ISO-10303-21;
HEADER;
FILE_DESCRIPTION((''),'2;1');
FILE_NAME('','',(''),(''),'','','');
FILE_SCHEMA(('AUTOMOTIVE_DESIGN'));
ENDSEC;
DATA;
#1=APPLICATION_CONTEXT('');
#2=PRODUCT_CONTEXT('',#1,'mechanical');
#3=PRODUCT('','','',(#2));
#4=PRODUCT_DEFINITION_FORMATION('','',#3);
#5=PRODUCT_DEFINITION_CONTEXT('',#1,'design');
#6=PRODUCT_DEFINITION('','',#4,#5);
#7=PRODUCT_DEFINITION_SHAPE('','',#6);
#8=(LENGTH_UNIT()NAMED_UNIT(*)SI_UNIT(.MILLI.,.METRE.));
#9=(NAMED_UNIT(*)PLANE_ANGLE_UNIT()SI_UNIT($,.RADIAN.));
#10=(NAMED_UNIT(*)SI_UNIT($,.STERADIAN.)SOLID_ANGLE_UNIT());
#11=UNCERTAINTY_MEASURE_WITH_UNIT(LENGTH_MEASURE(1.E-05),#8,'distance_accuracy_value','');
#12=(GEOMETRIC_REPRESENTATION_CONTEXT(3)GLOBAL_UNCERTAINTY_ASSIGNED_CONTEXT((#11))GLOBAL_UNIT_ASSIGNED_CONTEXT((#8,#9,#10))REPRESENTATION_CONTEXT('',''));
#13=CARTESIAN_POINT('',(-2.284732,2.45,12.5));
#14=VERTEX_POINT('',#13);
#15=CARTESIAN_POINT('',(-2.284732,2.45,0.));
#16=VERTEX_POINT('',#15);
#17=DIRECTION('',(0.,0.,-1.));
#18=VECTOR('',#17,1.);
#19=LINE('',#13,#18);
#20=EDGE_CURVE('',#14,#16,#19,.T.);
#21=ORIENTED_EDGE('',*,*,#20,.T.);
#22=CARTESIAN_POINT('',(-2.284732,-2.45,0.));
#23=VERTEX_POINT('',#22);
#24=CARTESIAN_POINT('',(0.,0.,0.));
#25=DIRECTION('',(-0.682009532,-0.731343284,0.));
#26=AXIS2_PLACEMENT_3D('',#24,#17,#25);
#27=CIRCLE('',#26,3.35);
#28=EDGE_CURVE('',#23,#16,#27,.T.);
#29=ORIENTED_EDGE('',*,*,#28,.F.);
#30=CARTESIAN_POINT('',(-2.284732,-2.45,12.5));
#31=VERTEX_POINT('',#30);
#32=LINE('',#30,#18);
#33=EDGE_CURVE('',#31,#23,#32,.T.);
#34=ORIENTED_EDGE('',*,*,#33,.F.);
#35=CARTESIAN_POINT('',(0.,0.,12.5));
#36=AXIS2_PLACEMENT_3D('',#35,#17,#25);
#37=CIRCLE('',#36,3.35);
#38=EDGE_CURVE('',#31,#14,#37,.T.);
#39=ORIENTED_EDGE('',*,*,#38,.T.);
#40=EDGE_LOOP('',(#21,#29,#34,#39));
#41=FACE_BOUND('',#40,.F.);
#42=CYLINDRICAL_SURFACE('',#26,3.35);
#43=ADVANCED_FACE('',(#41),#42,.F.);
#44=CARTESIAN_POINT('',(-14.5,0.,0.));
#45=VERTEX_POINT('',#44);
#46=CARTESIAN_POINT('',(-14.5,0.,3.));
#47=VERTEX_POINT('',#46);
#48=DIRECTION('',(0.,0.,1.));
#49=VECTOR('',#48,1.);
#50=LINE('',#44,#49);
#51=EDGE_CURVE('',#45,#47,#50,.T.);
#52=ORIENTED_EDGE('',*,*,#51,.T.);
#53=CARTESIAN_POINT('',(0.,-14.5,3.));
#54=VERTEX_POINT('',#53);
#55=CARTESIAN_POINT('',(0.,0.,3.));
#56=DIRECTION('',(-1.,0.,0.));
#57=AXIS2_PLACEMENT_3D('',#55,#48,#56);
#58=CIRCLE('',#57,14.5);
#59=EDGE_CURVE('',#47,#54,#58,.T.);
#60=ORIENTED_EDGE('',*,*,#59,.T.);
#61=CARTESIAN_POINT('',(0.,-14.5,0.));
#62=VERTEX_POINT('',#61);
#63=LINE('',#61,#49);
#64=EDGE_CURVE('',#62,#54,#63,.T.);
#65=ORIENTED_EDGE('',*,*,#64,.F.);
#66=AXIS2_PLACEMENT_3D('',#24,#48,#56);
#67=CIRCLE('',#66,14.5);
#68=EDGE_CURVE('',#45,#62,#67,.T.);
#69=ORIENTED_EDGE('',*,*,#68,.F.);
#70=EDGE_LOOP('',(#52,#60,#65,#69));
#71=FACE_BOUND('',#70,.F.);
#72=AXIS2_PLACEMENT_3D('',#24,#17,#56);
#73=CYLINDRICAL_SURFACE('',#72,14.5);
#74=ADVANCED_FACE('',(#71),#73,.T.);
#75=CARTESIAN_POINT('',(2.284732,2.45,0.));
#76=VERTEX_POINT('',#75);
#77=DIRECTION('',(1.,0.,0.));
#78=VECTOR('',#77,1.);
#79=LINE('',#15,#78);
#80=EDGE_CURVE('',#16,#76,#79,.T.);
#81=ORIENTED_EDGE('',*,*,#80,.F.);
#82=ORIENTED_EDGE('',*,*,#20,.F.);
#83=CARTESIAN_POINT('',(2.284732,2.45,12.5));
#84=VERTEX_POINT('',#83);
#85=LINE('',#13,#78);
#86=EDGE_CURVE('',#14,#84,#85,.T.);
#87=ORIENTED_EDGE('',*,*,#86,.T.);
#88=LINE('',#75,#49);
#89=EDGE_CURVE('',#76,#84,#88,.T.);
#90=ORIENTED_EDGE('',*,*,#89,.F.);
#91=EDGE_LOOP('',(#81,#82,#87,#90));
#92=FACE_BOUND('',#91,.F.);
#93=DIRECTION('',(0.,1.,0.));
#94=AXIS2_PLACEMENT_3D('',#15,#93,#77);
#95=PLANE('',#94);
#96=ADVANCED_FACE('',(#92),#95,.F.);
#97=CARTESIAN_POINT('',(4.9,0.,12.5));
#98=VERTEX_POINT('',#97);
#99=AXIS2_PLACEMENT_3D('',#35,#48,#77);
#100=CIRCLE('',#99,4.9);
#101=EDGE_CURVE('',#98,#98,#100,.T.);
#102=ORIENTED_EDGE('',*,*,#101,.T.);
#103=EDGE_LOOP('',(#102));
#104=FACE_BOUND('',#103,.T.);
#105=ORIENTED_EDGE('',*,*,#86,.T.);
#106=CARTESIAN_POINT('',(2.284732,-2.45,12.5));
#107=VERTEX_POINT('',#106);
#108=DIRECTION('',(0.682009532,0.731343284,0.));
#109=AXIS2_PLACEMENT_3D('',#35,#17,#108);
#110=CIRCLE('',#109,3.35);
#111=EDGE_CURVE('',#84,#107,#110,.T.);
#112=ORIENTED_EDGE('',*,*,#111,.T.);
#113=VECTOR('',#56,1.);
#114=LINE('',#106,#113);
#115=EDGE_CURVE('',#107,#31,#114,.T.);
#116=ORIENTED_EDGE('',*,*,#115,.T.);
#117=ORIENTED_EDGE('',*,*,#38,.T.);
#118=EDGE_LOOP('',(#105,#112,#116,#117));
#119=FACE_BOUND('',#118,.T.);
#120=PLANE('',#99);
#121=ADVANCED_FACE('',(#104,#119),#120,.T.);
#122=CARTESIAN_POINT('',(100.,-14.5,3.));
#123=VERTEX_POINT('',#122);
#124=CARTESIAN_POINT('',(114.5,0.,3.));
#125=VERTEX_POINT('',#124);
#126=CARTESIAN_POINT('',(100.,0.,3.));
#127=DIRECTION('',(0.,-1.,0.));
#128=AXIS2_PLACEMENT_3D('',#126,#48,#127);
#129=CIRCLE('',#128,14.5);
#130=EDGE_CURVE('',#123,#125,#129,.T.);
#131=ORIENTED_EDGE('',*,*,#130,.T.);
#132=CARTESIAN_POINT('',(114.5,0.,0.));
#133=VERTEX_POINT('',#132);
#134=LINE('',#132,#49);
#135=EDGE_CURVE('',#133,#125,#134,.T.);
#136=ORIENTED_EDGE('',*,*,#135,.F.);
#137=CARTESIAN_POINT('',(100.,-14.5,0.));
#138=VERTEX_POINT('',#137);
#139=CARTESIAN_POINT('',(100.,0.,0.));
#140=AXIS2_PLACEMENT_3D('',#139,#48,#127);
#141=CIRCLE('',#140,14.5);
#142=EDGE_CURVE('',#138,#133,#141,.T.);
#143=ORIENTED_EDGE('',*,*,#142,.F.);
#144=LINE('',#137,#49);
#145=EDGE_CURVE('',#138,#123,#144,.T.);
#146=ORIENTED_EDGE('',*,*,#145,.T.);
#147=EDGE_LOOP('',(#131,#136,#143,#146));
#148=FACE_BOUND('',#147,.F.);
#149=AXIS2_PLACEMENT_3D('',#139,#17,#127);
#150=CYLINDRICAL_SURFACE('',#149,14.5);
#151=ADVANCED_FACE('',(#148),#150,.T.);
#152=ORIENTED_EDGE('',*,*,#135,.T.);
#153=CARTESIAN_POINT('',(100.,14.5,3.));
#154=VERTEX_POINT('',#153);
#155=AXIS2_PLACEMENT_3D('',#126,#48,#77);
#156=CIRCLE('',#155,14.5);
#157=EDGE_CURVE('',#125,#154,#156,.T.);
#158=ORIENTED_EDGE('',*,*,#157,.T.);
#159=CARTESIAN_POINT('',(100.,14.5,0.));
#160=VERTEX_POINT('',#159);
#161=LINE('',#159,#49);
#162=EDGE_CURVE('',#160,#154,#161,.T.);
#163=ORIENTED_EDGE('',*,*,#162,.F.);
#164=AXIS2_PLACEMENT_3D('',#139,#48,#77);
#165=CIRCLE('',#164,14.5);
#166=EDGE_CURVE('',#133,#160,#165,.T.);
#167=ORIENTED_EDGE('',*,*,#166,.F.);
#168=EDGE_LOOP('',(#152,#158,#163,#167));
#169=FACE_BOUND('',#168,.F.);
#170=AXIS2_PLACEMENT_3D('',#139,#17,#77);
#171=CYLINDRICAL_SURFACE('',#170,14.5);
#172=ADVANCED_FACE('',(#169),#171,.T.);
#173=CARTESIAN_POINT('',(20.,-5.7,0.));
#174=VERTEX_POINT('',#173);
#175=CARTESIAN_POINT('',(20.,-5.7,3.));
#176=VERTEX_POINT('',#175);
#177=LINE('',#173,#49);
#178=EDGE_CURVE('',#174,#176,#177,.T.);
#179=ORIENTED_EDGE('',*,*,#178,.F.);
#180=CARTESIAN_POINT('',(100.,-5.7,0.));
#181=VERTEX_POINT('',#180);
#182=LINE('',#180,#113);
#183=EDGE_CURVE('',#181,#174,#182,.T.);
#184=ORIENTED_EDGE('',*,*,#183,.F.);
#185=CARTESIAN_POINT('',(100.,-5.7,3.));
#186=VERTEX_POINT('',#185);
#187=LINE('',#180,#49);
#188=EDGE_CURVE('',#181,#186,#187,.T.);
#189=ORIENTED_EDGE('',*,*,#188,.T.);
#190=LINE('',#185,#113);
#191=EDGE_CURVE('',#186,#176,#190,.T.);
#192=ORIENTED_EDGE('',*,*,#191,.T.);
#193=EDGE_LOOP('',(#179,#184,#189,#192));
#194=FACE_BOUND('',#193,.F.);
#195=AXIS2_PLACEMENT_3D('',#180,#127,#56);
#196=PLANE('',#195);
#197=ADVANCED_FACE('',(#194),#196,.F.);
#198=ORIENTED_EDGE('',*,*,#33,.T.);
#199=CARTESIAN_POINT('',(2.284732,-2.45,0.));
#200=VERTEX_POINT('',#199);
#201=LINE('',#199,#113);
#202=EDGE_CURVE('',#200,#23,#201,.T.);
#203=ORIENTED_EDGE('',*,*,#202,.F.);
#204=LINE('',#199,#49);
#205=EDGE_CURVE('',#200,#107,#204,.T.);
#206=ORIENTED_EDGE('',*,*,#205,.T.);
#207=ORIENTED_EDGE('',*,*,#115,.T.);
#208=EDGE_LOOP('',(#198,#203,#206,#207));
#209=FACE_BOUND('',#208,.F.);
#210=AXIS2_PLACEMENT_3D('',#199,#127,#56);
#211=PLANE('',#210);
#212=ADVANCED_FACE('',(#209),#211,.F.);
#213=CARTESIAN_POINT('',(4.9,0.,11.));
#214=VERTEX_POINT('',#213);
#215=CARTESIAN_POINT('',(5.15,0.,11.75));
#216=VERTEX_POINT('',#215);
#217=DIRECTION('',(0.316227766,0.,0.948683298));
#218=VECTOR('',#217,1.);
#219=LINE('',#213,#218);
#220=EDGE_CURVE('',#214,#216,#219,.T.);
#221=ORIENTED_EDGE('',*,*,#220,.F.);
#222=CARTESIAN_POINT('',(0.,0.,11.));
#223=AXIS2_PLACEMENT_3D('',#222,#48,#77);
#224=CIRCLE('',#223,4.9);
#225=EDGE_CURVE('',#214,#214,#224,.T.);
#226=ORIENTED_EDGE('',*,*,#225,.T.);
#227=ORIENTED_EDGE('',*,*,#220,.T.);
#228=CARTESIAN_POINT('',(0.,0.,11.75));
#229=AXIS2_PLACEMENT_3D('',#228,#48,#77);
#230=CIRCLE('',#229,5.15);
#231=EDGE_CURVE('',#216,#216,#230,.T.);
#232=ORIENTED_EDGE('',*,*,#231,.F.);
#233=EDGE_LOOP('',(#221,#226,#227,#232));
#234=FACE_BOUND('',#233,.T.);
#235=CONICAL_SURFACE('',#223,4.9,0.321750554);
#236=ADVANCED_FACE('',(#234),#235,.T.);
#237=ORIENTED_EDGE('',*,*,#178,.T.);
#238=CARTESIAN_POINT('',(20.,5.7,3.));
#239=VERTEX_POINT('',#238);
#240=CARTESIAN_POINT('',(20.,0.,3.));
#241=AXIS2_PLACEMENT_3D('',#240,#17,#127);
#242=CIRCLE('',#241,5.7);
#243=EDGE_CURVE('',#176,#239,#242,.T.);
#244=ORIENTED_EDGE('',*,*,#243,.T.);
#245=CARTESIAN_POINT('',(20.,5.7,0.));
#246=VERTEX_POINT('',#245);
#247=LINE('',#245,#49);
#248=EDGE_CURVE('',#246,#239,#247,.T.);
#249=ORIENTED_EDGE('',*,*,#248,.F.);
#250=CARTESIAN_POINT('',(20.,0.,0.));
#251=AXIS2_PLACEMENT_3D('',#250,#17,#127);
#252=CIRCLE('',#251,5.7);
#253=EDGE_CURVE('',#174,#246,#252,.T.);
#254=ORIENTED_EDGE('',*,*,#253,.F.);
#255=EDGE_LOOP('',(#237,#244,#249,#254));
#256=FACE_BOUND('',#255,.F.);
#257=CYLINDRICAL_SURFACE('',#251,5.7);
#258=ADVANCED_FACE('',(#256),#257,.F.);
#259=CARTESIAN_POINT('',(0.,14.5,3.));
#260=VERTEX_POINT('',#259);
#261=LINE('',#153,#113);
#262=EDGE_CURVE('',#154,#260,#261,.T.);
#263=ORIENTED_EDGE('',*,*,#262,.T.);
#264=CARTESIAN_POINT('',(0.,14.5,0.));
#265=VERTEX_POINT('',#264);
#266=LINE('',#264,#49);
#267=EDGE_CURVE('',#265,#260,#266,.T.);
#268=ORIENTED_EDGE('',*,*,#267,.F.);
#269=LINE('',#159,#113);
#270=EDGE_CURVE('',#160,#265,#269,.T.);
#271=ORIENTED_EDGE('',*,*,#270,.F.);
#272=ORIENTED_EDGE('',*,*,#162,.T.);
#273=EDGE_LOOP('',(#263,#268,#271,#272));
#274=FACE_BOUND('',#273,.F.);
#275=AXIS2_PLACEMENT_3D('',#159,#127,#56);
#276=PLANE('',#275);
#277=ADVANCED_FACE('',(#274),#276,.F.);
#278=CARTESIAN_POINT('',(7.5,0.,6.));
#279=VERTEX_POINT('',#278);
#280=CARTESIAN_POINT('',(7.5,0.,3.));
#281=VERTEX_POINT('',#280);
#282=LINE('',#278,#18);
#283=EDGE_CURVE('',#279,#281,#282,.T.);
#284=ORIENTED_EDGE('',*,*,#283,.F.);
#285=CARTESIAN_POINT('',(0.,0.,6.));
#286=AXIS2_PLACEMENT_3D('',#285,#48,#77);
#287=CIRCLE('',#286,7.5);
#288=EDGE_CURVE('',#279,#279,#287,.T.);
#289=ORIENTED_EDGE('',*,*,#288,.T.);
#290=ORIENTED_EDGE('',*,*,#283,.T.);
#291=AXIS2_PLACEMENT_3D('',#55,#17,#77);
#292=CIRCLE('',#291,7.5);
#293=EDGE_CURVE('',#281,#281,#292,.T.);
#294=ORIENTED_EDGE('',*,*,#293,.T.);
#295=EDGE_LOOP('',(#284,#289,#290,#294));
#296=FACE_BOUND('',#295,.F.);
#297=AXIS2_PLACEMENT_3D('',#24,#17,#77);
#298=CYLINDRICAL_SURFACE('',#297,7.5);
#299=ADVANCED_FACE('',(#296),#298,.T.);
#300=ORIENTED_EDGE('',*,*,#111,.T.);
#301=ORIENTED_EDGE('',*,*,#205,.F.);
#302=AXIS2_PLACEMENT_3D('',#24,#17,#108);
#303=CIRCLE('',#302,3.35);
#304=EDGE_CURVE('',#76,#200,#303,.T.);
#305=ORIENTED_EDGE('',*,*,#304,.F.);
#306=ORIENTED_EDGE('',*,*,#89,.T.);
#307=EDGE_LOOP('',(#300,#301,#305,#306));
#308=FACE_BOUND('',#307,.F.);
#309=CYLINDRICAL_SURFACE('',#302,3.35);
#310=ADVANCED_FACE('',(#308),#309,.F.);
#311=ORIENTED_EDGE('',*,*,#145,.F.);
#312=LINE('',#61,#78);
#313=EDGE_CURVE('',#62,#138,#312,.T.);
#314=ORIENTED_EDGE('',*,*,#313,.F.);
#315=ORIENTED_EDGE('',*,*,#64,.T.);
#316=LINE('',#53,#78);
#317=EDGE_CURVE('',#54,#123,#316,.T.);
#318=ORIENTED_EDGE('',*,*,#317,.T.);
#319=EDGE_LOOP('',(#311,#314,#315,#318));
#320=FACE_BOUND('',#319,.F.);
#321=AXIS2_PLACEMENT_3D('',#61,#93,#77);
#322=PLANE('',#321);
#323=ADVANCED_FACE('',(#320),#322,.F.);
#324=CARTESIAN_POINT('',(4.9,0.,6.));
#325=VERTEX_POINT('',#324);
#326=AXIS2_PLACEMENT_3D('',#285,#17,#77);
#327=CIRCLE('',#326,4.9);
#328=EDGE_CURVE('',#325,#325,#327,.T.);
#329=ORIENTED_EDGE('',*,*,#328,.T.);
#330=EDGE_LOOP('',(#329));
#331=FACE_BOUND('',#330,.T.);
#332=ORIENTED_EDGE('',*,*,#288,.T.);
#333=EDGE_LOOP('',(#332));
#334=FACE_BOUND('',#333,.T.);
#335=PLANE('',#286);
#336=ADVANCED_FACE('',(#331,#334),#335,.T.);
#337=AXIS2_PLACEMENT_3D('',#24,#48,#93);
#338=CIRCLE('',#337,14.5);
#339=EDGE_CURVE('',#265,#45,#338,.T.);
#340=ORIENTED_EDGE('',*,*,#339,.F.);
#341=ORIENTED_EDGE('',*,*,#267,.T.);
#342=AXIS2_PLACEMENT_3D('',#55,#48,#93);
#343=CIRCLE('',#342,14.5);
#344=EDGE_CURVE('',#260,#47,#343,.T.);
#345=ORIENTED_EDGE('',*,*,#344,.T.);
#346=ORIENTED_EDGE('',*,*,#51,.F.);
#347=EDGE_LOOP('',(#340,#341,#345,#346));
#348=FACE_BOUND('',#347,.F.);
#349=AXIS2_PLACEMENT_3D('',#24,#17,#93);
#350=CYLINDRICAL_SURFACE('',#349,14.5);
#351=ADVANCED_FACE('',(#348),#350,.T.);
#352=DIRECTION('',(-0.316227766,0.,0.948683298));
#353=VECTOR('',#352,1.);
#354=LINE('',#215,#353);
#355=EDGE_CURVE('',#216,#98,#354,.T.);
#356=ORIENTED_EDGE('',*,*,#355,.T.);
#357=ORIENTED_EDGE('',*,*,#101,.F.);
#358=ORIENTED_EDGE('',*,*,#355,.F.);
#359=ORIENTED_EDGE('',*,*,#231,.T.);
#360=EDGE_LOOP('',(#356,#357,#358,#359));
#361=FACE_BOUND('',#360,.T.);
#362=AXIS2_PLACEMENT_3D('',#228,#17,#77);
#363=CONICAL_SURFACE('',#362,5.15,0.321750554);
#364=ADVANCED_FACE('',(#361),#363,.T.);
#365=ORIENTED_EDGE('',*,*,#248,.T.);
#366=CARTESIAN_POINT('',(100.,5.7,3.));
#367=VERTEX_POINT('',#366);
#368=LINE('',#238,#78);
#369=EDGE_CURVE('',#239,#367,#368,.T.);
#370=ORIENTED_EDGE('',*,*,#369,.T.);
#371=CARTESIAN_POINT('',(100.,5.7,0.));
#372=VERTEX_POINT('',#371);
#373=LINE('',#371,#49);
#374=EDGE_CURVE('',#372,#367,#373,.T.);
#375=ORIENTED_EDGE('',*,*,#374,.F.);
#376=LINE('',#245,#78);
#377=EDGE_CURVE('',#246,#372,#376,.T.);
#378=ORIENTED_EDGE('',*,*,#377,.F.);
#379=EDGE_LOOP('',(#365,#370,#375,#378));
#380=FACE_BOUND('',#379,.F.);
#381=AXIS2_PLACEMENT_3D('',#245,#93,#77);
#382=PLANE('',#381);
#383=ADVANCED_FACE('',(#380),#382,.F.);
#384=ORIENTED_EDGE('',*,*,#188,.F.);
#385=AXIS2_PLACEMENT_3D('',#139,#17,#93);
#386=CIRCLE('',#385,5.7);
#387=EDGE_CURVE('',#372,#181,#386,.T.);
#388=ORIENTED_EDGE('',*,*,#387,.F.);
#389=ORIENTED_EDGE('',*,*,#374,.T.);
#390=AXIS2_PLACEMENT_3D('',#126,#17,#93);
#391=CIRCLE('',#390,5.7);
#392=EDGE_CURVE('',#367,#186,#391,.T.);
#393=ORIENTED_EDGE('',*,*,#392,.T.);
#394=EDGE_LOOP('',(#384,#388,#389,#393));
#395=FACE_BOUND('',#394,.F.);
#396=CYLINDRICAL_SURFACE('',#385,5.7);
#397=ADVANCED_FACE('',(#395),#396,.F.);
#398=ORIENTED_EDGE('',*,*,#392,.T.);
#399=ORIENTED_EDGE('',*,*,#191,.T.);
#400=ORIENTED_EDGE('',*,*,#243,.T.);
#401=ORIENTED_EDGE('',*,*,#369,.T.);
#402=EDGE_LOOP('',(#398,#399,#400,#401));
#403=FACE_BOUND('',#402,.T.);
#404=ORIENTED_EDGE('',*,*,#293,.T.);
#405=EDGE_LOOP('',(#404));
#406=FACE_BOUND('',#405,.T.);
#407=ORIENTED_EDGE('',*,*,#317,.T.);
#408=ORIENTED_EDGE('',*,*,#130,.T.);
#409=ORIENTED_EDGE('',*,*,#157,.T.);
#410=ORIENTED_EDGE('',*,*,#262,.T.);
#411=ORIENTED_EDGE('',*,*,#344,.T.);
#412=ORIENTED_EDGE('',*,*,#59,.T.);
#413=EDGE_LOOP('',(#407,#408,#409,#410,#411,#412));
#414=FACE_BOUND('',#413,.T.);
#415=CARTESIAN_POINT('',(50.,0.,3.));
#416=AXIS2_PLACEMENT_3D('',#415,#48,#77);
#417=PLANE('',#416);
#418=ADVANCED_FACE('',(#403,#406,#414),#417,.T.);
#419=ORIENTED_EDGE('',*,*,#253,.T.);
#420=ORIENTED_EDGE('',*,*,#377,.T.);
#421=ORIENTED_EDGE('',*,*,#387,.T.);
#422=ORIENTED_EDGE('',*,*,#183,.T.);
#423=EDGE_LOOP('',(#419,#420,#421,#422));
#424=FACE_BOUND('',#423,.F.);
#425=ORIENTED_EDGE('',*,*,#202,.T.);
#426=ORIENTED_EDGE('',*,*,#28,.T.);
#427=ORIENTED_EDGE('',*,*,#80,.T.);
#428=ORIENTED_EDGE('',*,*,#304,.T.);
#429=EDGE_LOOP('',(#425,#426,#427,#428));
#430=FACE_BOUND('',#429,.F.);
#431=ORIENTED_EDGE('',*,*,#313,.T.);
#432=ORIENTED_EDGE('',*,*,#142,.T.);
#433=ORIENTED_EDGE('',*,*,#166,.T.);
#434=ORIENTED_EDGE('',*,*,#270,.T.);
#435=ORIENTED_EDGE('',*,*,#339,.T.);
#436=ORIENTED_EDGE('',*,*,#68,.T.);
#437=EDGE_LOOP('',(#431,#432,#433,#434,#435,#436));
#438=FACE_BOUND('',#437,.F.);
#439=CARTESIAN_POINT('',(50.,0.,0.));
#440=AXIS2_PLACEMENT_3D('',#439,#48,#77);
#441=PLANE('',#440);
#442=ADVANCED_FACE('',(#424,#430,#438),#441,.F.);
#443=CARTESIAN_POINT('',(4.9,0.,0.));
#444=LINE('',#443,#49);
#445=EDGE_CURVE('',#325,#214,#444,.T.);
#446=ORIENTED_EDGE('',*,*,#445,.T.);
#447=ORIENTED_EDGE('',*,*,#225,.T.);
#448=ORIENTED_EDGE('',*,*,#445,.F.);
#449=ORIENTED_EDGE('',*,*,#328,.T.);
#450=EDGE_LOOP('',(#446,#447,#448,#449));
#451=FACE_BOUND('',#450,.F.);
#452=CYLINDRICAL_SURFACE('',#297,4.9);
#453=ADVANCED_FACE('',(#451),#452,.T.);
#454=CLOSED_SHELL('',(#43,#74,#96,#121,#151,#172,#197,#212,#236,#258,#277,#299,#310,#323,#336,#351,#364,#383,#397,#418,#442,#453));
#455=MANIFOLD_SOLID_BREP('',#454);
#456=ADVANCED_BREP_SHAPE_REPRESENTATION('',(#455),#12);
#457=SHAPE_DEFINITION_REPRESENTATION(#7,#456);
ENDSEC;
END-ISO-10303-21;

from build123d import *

# Parameters (mm, degrees)
F4_R      = 7.5
F4_R_2    = 5.5
F5_DEPTH  = 3
F6_DEPTH  = 5
F7_R      = 9.5
F7_R_2    = 7.5
F7_R_3    = 4.9
F8_DEPTH  = 3
F9_DEPTH  = 6
F10_DEPTH = 12.5


with BuildPart() as f5:
    # F4 (on Top) → F5 (new body)
    with BuildSketch(Plane.XY):
        with BuildLine():
            Line((100, 14.5), (0, 14.5))
            ThreePointArc((0, 14.5), (-10.2530483272, 10.2530483272), (-14.5, 0))
            ThreePointArc((-14.5, 0), (-10.2530483272, -10.2530483272), (0, -14.5))
            Line((0, -14.5), (100, -14.5))
            ThreePointArc((100, -14.5), (110.2530483272, -10.2530483272), (114.5, 0))
            ThreePointArc((114.5, 0), (110.2530483272, 10.2530483272), (100, 14.5))
        make_face()
        Circle(F4_R, mode=Mode.SUBTRACT)
        with BuildLine():
            ThreePointArc((20, -5.7), (14.3, 0), (20, 5.7))
            Line((20, 5.7), (100, 5.7))
            ThreePointArc((100, 5.7), (105.7, 0), (100, -5.7))
            Line((100, -5.7), (20, -5.7))
        make_face(mode=Mode.SUBTRACT)
        Circle(F4_R)
        Circle(F4_R_2, mode=Mode.SUBTRACT)
    extrude(amount=F5_DEPTH)

    # F4 (on Top) → F6 (join)
    with BuildSketch(Plane.XY):
        Circle(F4_R)
        Circle(F4_R_2, mode=Mode.SUBTRACT)
    extrude(amount=F6_DEPTH)



with BuildPart() as f8:
    # F7 (on Top) → F8 (new body)
    with BuildSketch(Plane.XY):
        Circle(F7_R)
        Circle(F7_R_2, mode=Mode.SUBTRACT)
        Circle(F7_R_2)
        Circle(F7_R_3, mode=Mode.SUBTRACT)
        Circle(F7_R_3)
        with BuildLine():
            ThreePointArc((-2.2847319318, -2.45), (-3.35, 0), (-2.2847319318, 2.45))
            Line((-2.2847319318, 2.45), (2.2847319318, 2.45))
            ThreePointArc((2.2847319318, 2.45), (3.35, 0), (2.2847319318, -2.45))
            Line((2.2847319318, -2.45), (-2.2847319318, -2.45))
        make_face(mode=Mode.SUBTRACT)
    extrude(amount=F8_DEPTH)


with BuildPart() as f5_1:
    add(f5.part)

    add(f8.part)  # F9 merges F8
    # F7 (on Top) → F9 (join)
    with BuildSketch(Plane.XY):
        Circle(F7_R_2)
        Circle(F7_R_3, mode=Mode.SUBTRACT)
        Circle(F7_R_3)
        with BuildLine():
            ThreePointArc((-2.2847319318, -2.45), (-3.35, 0), (-2.2847319318, 2.45))
            Line((-2.2847319318, 2.45), (2.2847319318, 2.45))
            ThreePointArc((2.2847319318, 2.45), (3.35, 0), (2.2847319318, -2.45))
            Line((2.2847319318, -2.45), (-2.2847319318, -2.45))
        make_face(mode=Mode.SUBTRACT)
    extrude(amount=F9_DEPTH)

    # F7 (on Top) → F10 (join)
    with BuildSketch(Plane.XY):
        Circle(F7_R_3)
        with BuildLine():
            ThreePointArc((-2.2847319318, -2.45), (-3.35, 0), (-2.2847319318, 2.45))
            Line((-2.2847319318, 2.45), (2.2847319318, 2.45))
            ThreePointArc((2.2847319318, 2.45), (3.35, 0), (2.2847319318, -2.45))
            Line((2.2847319318, -2.45), (-2.2847319318, -2.45))
        make_face(mode=Mode.SUBTRACT)
    extrude(amount=F10_DEPTH)

    # F11 (on Front) → F12 (revolve)
    with BuildSketch(Plane.XZ):
        Polygon((5.15, 11.75), (4.9, 12.5), (4.9, 11), align=None)
    revolve(axis=Axis((0, 0, 8.631802164), (0, 0, 1)))


solid = f5_1.part
